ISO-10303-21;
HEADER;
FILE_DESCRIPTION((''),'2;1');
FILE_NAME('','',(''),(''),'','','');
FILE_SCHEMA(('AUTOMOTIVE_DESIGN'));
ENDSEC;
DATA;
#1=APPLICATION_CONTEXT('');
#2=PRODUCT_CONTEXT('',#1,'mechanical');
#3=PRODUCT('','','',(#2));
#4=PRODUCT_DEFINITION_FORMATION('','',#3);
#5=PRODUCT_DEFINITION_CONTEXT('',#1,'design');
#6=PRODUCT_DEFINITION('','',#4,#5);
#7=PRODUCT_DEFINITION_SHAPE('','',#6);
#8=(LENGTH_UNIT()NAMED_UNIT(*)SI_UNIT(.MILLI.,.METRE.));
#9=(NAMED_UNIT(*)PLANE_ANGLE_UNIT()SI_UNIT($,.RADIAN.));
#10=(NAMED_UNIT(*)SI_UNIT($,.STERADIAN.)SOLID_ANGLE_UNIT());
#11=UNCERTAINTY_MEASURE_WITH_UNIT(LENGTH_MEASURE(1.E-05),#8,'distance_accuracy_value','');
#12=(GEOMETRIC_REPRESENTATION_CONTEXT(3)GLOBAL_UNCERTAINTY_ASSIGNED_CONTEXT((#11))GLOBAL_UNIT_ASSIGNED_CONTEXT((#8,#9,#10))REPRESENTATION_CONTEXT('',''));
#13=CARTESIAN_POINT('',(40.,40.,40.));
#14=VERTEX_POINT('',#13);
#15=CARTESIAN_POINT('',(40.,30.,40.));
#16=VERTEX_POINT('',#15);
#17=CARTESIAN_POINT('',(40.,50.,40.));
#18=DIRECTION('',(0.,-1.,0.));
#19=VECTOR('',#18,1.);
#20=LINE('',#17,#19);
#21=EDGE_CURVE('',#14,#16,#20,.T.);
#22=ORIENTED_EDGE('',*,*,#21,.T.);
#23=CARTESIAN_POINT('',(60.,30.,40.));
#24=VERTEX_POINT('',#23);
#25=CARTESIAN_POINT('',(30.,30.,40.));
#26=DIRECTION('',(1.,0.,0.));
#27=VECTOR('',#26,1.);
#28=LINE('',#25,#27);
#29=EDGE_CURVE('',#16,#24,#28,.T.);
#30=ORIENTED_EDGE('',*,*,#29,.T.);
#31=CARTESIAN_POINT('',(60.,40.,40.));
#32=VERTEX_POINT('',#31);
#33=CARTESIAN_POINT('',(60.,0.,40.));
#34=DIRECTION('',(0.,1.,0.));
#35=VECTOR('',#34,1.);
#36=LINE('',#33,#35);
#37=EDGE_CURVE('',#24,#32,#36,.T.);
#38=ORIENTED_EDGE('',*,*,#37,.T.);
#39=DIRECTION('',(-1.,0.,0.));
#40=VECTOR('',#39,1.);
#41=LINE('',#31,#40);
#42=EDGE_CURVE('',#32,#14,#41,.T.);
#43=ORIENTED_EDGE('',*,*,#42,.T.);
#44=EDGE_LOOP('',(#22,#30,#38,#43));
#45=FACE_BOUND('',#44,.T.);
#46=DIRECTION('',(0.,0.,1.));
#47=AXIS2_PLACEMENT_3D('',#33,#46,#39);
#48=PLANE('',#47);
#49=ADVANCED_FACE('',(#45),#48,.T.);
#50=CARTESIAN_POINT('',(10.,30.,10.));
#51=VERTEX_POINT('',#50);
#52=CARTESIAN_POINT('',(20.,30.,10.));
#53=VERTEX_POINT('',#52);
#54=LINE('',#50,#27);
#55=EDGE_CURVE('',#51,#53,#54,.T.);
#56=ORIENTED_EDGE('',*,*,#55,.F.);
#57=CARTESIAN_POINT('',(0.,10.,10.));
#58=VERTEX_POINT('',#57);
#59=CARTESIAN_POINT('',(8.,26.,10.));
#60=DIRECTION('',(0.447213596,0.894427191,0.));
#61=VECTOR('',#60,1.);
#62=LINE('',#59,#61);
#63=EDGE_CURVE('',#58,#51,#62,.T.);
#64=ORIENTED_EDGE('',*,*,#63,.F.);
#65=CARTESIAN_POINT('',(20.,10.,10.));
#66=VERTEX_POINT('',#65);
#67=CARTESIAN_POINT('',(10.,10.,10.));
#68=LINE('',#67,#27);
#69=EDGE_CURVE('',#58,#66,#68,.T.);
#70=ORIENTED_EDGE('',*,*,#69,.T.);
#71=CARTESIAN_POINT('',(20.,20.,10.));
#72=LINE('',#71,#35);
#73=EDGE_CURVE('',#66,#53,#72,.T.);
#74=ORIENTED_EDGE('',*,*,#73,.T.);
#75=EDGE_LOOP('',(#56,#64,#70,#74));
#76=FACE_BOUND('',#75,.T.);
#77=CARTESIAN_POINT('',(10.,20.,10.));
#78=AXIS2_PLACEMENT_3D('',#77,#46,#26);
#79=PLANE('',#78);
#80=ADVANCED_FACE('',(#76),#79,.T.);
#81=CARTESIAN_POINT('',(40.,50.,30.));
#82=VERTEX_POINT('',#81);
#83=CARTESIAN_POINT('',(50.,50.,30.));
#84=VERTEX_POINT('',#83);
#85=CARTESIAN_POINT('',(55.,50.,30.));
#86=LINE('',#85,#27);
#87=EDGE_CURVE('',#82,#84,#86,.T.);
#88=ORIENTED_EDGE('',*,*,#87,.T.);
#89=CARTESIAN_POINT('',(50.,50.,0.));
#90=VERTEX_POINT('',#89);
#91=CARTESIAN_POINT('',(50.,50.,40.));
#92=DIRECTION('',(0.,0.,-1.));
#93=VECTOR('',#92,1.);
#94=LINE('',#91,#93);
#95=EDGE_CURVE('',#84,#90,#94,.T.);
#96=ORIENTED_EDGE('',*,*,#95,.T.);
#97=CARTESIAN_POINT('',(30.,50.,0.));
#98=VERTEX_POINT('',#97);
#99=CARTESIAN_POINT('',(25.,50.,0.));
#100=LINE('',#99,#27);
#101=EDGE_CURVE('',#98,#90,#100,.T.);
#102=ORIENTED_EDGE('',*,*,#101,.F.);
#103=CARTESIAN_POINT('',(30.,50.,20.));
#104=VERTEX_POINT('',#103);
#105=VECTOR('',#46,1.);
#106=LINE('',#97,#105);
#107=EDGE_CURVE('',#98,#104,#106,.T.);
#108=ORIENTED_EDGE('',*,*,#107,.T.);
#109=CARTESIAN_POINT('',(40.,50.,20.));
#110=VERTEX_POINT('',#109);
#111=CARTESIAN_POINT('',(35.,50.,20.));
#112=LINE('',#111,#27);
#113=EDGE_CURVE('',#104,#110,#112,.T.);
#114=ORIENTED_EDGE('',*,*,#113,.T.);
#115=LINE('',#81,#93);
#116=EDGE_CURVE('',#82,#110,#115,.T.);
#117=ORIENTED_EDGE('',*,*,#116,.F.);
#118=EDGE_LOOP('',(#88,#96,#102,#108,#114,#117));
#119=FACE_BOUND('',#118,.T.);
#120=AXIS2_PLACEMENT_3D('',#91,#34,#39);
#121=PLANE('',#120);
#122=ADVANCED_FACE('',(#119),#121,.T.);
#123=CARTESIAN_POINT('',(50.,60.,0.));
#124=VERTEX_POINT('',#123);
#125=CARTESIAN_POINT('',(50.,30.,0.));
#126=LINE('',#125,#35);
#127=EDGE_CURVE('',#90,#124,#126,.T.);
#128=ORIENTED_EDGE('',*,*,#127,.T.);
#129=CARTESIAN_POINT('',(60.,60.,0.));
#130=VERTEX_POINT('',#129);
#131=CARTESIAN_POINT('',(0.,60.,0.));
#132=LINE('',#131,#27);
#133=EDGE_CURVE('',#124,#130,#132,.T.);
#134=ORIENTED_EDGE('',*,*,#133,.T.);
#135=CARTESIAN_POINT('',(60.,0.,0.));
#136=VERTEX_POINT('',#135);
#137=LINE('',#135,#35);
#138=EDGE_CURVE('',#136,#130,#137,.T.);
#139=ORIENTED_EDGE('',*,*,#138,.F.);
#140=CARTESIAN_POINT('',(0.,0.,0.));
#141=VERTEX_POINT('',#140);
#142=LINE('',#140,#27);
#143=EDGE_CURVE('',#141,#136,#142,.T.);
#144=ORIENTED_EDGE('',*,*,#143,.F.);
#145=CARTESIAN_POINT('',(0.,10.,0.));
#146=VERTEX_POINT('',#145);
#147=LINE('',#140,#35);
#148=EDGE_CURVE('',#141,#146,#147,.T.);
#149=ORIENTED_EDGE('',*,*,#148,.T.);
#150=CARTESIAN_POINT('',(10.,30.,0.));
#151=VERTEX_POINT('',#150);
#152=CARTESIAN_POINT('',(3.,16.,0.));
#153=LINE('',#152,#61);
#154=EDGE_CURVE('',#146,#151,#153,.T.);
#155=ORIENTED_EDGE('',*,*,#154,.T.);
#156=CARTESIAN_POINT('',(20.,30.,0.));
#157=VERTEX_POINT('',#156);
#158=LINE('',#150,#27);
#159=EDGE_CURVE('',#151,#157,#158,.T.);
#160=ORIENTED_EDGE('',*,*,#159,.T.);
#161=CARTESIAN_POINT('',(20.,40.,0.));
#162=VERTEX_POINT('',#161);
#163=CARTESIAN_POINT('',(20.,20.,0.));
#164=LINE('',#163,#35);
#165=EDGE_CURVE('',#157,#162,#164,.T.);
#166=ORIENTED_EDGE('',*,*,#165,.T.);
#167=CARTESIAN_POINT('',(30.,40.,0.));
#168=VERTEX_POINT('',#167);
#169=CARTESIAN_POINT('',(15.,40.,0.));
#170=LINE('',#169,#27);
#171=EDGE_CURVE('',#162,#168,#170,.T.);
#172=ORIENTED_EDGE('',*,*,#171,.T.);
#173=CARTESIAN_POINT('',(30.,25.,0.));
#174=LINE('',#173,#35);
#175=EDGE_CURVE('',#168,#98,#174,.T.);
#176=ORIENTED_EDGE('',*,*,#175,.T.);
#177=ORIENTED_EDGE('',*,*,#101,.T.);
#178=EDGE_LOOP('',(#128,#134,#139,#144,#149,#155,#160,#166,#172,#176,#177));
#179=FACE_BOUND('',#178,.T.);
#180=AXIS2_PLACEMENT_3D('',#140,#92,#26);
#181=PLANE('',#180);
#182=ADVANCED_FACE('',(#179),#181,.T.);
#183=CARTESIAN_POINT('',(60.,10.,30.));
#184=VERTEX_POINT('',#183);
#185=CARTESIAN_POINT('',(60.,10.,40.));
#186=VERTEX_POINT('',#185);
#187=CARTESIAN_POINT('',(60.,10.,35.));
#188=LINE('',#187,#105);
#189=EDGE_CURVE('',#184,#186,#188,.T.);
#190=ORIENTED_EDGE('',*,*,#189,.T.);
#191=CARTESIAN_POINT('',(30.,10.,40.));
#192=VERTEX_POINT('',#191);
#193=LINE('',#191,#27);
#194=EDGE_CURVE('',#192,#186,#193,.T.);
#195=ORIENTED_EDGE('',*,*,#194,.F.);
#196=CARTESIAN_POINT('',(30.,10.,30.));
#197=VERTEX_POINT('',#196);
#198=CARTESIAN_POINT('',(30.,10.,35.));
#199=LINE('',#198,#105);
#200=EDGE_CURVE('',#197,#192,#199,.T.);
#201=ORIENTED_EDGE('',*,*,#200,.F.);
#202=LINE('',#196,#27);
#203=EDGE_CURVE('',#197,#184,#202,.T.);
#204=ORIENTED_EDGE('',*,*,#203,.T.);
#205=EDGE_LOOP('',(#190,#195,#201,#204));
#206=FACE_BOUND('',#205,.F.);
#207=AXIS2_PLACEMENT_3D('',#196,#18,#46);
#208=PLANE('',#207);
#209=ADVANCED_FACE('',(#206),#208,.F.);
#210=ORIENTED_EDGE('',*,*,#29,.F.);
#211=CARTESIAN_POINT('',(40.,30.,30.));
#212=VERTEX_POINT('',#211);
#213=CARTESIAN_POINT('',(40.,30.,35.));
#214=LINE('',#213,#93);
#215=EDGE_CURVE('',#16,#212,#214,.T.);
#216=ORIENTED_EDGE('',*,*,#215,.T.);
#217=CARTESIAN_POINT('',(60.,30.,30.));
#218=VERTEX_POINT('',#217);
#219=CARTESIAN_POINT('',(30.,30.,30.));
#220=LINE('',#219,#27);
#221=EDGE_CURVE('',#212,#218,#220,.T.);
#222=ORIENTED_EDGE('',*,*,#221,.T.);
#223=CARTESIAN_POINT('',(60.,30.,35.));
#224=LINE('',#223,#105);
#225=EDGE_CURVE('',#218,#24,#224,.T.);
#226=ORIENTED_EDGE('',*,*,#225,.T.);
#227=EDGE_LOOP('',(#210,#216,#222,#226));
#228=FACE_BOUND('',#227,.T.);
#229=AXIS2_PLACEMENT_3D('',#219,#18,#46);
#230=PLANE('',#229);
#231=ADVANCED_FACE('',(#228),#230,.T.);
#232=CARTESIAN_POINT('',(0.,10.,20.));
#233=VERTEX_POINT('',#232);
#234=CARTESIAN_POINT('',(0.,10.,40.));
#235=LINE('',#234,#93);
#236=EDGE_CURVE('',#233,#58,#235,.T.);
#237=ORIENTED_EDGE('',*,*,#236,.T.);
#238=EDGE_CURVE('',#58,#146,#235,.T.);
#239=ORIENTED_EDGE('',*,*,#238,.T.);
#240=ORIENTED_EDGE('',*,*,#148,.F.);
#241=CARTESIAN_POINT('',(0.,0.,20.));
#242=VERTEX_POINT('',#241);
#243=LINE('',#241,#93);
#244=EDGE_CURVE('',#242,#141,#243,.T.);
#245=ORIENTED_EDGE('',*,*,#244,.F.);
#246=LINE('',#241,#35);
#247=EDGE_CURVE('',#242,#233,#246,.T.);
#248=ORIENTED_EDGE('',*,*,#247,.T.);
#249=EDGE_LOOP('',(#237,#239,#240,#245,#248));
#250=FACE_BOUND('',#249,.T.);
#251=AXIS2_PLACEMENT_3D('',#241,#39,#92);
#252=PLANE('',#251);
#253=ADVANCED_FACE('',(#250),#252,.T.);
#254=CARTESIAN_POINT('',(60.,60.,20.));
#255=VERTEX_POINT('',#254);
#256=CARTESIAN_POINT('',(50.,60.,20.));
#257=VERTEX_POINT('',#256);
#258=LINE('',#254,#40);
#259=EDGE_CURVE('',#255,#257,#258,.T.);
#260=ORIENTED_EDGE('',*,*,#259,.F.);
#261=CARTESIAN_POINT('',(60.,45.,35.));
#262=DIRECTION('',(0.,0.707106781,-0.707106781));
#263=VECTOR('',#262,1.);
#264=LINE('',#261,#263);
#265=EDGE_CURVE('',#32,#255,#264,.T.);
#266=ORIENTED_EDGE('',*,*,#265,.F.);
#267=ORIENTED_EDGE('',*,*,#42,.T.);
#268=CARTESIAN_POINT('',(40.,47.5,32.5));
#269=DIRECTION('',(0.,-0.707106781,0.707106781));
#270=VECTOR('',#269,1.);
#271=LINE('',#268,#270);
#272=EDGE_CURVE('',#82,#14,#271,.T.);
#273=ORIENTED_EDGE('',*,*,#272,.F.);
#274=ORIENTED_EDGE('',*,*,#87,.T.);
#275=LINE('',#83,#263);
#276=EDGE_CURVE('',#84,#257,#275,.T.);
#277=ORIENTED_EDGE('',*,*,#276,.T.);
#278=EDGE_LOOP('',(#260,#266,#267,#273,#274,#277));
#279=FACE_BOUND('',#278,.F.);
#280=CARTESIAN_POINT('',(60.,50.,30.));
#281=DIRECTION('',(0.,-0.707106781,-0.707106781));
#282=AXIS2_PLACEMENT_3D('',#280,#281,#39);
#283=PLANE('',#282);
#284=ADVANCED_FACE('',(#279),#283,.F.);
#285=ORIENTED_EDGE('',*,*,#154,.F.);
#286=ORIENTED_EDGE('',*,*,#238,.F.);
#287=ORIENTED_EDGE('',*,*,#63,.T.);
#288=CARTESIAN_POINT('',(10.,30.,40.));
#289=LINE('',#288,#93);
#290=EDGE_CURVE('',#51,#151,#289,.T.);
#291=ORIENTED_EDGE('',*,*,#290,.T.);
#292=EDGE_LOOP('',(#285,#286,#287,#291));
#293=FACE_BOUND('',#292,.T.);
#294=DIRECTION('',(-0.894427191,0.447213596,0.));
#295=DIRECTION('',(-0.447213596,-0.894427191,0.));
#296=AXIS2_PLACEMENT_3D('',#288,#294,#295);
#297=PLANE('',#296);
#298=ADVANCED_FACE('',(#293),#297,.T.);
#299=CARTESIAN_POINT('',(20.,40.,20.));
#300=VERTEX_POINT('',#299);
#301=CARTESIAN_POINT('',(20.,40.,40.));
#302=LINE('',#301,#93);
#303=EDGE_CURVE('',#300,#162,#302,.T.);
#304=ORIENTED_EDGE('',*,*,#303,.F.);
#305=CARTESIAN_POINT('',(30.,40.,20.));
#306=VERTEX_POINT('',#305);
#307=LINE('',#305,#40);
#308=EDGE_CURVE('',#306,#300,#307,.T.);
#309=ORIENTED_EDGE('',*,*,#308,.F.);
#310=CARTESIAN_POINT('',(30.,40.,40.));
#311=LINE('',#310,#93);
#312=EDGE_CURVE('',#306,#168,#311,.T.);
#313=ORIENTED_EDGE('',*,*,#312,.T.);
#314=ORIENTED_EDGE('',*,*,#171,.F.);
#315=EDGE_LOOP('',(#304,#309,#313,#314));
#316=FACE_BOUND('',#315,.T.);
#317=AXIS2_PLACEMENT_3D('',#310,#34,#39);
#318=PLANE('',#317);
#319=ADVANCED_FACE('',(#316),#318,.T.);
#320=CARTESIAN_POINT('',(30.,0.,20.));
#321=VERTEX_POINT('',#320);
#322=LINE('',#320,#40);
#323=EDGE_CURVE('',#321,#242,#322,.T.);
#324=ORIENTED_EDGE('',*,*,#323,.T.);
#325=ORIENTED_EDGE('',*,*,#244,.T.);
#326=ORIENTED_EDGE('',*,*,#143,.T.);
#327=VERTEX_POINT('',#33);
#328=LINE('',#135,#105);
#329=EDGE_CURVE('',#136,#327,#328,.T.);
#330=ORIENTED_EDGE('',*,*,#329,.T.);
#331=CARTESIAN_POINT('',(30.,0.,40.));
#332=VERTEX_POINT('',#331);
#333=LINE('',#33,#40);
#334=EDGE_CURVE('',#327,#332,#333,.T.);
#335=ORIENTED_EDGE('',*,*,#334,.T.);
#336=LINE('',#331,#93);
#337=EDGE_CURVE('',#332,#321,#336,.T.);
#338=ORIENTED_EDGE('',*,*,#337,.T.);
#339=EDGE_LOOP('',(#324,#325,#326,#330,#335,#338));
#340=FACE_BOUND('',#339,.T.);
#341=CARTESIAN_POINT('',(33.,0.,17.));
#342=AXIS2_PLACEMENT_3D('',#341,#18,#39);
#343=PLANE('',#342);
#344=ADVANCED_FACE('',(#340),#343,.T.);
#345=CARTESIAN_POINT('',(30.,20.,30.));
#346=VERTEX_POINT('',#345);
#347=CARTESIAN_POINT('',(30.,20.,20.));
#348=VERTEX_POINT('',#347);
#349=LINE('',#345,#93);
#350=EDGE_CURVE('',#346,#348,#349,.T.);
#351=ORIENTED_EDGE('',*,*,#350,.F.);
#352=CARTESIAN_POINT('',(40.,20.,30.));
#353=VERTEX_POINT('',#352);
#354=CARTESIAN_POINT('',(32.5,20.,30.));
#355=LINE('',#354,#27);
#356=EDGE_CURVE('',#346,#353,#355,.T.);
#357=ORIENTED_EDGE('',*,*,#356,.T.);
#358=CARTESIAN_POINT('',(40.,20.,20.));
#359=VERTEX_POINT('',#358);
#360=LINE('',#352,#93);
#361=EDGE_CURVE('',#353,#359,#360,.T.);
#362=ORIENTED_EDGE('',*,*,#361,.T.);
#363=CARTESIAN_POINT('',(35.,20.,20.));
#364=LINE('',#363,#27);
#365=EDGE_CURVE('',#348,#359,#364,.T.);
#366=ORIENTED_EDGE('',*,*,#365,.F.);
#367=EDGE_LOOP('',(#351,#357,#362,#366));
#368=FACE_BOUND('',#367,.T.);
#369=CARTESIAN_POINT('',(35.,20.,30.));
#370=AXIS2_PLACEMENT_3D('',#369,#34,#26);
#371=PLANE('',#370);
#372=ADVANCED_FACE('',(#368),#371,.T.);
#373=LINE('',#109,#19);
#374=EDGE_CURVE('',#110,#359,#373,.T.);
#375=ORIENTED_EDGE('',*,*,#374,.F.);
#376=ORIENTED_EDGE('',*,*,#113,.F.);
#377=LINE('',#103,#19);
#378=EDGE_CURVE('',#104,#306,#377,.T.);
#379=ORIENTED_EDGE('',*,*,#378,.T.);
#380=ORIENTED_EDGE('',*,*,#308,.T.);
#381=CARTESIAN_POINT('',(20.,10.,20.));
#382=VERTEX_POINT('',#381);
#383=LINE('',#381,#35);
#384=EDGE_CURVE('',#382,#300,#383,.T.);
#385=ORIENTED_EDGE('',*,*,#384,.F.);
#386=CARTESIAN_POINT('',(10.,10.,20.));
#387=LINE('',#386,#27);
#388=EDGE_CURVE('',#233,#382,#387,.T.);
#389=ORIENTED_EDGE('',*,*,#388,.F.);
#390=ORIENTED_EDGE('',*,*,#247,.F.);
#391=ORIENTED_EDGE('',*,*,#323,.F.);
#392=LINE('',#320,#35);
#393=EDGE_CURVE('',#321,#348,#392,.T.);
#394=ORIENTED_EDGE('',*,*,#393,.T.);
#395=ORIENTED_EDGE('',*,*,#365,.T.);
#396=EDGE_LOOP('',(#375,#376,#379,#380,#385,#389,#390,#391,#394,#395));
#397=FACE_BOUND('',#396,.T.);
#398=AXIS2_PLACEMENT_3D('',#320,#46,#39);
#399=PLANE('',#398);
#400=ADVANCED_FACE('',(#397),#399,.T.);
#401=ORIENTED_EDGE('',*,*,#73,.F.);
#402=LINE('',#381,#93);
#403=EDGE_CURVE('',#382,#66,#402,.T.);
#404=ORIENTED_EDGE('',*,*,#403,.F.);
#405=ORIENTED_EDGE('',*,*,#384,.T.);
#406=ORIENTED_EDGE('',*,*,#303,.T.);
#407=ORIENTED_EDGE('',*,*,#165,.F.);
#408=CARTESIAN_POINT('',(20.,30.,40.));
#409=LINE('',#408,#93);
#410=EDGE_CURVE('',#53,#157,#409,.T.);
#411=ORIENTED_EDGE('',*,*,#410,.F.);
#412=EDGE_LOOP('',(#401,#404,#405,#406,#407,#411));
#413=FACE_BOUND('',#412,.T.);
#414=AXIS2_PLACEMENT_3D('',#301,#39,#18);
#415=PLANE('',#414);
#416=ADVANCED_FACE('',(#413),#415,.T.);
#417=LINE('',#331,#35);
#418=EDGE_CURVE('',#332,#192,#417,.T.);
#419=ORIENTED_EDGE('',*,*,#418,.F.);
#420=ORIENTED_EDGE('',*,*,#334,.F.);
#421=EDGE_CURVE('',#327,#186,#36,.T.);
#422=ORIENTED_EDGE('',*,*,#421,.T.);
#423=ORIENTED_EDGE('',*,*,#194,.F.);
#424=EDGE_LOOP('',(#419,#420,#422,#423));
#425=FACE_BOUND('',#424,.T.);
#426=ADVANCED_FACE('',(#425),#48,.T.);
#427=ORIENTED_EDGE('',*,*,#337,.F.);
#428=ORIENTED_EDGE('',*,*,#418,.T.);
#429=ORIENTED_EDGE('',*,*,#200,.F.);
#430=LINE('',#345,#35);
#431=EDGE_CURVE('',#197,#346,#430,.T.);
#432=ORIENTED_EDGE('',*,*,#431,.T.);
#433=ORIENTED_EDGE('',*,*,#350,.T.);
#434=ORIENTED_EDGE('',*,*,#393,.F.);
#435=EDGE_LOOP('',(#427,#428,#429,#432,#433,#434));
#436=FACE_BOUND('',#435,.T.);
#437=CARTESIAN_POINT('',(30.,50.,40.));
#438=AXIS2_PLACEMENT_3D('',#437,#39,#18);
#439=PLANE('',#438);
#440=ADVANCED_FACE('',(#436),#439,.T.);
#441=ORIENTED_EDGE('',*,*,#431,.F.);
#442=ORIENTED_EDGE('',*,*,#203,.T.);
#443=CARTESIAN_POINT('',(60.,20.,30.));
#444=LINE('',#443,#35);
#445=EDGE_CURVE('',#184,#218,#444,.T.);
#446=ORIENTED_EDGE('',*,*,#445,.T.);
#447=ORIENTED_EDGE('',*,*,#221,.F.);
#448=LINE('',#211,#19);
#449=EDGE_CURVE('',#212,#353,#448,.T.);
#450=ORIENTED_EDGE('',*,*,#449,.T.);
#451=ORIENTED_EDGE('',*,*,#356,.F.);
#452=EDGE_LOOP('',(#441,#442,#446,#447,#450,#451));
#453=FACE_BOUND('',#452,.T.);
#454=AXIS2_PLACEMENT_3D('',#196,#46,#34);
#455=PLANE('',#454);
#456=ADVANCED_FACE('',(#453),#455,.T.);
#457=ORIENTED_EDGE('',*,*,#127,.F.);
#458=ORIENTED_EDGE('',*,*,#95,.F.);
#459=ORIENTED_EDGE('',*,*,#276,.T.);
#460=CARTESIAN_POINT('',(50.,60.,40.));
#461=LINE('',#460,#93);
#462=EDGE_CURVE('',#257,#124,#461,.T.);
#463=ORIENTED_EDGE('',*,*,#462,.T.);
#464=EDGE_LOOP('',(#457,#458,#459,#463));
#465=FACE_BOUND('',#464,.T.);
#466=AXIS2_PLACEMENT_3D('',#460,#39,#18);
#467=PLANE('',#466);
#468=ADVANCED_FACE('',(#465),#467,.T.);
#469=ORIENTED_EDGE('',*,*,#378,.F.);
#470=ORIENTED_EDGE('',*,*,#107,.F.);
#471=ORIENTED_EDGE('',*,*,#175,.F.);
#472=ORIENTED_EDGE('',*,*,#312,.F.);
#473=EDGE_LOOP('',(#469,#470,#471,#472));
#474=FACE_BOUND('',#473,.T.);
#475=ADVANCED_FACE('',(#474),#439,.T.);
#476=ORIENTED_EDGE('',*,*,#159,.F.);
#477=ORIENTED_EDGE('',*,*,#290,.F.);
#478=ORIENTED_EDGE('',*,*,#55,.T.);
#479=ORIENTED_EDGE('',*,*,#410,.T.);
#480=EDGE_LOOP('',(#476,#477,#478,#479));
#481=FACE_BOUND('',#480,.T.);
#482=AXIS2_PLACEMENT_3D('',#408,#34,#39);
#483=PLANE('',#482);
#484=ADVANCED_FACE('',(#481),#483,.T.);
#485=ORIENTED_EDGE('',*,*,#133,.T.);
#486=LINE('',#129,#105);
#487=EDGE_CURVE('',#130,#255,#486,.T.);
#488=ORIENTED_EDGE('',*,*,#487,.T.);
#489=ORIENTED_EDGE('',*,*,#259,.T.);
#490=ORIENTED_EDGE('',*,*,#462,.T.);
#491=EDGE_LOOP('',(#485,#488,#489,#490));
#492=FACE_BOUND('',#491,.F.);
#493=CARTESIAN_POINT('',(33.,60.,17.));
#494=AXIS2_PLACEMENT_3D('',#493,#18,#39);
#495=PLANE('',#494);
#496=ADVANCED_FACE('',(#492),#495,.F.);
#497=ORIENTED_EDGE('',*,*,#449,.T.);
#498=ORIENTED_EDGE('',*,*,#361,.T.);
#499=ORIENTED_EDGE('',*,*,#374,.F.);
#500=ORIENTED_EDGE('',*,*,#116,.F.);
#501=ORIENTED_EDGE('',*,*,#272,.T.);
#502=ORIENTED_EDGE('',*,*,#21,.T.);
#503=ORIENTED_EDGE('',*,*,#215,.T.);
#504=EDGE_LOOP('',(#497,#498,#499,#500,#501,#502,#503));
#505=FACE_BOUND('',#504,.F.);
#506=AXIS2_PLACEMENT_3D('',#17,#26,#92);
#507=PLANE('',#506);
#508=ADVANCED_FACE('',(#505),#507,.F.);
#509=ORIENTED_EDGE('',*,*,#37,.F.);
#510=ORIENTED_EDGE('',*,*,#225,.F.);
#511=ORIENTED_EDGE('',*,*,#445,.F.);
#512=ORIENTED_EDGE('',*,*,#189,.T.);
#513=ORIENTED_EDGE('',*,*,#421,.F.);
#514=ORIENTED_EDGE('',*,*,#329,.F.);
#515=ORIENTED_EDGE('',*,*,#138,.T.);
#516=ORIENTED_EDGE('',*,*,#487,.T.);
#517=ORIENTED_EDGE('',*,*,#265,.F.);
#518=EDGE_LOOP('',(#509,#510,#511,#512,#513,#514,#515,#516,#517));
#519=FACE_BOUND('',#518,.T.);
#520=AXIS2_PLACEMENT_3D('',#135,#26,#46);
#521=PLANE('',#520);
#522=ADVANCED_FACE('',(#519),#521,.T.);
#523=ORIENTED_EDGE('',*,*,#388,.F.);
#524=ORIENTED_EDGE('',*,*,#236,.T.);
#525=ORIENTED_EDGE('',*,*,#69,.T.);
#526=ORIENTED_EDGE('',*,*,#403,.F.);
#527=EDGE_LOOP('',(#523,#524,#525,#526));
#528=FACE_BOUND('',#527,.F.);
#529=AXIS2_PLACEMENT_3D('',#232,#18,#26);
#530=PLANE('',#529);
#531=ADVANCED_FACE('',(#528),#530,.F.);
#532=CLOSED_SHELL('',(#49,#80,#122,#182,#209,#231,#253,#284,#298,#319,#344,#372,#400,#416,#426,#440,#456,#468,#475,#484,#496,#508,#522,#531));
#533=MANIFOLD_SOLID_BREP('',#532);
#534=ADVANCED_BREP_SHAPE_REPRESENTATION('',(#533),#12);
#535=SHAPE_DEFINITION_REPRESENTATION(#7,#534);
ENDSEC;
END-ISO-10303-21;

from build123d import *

# Parameters (mm, degrees)
BOSS_EXTRUDE1_DEPTH = 60
CUT_EXTRUDE1_DEPTH  = 41
SKETCH3_W           = 20
SKETCH3_H           = 20
CUT_EXTRUDE2_DEPTH  = 10
CHAMFER1_SIZE       = 20
SKETCH4_W           = 10
SKETCH4_H           = 20
CUT_EXTRUDE3_DEPTH  = 30
SKETCH5_W           = 10
SKETCH5_H           = 20
CUT_EXTRUDE4_DEPTH  = 30


with BuildPart() as part:
    # Sketch1 → Boss-Extrude1 (new body)
    with BuildSketch(Plane(origin=(0, 0, 0), x_dir=(1, 0, 0), z_dir=(0, 1, 0))):
        Polygon((0, 0), (60, 0), (60, -40), (30, -40), (30, -20), (0, -20), align=None)
    extrude(amount=BOSS_EXTRUDE1_DEPTH)

    # Sketch2 → Cut-Extrude1 (cut, through all)
    with BuildSketch(Plane.XY.offset(40)):
        Polygon((50, 60), (50, 50), (30, 50), (30, 40), (20, 40), (20, 30), (10, 30), (0, 10), (0, 60), align=None)
    extrude(amount=-CUT_EXTRUDE1_DEPTH, mode=Mode.SUBTRACT)

    # Sketch3 → Cut-Extrude2 (cut)
    with BuildSketch(Plane.XY.offset(20)):
        with Locations((10, 20)):
            Rectangle(SKETCH3_W, SKETCH3_H)
    extrude(amount=-CUT_EXTRUDE2_DEPTH, mode=Mode.SUBTRACT)

    # Chamfer1
    chamfer1_edges = [part.edges().sort_by_distance(p)[0] for p in [
        (55, 60, 40),
    ]]
    chamfer(chamfer1_edges, length=CHAMFER1_SIZE)

    # Sketch4 → Cut-Extrude3 (cut)
    with BuildSketch(Plane(origin=(0, 50, 0), x_dir=(1, 0, 0), z_dir=(0, 1, 0))):
        with Locations((35, -30)):
            Rectangle(SKETCH4_W, SKETCH4_H)
    extrude(amount=-CUT_EXTRUDE3_DEPTH, mode=Mode.SUBTRACT)

    # Sketch5 → Cut-Extrude4 (cut)
    with BuildSketch(Plane.ZY.offset(-30)):
        with Locations((35, 20)):
            Rectangle(SKETCH5_W, SKETCH5_H)
    extrude(amount=-CUT_EXTRUDE4_DEPTH, mode=Mode.SUBTRACT)


solid = part.part
